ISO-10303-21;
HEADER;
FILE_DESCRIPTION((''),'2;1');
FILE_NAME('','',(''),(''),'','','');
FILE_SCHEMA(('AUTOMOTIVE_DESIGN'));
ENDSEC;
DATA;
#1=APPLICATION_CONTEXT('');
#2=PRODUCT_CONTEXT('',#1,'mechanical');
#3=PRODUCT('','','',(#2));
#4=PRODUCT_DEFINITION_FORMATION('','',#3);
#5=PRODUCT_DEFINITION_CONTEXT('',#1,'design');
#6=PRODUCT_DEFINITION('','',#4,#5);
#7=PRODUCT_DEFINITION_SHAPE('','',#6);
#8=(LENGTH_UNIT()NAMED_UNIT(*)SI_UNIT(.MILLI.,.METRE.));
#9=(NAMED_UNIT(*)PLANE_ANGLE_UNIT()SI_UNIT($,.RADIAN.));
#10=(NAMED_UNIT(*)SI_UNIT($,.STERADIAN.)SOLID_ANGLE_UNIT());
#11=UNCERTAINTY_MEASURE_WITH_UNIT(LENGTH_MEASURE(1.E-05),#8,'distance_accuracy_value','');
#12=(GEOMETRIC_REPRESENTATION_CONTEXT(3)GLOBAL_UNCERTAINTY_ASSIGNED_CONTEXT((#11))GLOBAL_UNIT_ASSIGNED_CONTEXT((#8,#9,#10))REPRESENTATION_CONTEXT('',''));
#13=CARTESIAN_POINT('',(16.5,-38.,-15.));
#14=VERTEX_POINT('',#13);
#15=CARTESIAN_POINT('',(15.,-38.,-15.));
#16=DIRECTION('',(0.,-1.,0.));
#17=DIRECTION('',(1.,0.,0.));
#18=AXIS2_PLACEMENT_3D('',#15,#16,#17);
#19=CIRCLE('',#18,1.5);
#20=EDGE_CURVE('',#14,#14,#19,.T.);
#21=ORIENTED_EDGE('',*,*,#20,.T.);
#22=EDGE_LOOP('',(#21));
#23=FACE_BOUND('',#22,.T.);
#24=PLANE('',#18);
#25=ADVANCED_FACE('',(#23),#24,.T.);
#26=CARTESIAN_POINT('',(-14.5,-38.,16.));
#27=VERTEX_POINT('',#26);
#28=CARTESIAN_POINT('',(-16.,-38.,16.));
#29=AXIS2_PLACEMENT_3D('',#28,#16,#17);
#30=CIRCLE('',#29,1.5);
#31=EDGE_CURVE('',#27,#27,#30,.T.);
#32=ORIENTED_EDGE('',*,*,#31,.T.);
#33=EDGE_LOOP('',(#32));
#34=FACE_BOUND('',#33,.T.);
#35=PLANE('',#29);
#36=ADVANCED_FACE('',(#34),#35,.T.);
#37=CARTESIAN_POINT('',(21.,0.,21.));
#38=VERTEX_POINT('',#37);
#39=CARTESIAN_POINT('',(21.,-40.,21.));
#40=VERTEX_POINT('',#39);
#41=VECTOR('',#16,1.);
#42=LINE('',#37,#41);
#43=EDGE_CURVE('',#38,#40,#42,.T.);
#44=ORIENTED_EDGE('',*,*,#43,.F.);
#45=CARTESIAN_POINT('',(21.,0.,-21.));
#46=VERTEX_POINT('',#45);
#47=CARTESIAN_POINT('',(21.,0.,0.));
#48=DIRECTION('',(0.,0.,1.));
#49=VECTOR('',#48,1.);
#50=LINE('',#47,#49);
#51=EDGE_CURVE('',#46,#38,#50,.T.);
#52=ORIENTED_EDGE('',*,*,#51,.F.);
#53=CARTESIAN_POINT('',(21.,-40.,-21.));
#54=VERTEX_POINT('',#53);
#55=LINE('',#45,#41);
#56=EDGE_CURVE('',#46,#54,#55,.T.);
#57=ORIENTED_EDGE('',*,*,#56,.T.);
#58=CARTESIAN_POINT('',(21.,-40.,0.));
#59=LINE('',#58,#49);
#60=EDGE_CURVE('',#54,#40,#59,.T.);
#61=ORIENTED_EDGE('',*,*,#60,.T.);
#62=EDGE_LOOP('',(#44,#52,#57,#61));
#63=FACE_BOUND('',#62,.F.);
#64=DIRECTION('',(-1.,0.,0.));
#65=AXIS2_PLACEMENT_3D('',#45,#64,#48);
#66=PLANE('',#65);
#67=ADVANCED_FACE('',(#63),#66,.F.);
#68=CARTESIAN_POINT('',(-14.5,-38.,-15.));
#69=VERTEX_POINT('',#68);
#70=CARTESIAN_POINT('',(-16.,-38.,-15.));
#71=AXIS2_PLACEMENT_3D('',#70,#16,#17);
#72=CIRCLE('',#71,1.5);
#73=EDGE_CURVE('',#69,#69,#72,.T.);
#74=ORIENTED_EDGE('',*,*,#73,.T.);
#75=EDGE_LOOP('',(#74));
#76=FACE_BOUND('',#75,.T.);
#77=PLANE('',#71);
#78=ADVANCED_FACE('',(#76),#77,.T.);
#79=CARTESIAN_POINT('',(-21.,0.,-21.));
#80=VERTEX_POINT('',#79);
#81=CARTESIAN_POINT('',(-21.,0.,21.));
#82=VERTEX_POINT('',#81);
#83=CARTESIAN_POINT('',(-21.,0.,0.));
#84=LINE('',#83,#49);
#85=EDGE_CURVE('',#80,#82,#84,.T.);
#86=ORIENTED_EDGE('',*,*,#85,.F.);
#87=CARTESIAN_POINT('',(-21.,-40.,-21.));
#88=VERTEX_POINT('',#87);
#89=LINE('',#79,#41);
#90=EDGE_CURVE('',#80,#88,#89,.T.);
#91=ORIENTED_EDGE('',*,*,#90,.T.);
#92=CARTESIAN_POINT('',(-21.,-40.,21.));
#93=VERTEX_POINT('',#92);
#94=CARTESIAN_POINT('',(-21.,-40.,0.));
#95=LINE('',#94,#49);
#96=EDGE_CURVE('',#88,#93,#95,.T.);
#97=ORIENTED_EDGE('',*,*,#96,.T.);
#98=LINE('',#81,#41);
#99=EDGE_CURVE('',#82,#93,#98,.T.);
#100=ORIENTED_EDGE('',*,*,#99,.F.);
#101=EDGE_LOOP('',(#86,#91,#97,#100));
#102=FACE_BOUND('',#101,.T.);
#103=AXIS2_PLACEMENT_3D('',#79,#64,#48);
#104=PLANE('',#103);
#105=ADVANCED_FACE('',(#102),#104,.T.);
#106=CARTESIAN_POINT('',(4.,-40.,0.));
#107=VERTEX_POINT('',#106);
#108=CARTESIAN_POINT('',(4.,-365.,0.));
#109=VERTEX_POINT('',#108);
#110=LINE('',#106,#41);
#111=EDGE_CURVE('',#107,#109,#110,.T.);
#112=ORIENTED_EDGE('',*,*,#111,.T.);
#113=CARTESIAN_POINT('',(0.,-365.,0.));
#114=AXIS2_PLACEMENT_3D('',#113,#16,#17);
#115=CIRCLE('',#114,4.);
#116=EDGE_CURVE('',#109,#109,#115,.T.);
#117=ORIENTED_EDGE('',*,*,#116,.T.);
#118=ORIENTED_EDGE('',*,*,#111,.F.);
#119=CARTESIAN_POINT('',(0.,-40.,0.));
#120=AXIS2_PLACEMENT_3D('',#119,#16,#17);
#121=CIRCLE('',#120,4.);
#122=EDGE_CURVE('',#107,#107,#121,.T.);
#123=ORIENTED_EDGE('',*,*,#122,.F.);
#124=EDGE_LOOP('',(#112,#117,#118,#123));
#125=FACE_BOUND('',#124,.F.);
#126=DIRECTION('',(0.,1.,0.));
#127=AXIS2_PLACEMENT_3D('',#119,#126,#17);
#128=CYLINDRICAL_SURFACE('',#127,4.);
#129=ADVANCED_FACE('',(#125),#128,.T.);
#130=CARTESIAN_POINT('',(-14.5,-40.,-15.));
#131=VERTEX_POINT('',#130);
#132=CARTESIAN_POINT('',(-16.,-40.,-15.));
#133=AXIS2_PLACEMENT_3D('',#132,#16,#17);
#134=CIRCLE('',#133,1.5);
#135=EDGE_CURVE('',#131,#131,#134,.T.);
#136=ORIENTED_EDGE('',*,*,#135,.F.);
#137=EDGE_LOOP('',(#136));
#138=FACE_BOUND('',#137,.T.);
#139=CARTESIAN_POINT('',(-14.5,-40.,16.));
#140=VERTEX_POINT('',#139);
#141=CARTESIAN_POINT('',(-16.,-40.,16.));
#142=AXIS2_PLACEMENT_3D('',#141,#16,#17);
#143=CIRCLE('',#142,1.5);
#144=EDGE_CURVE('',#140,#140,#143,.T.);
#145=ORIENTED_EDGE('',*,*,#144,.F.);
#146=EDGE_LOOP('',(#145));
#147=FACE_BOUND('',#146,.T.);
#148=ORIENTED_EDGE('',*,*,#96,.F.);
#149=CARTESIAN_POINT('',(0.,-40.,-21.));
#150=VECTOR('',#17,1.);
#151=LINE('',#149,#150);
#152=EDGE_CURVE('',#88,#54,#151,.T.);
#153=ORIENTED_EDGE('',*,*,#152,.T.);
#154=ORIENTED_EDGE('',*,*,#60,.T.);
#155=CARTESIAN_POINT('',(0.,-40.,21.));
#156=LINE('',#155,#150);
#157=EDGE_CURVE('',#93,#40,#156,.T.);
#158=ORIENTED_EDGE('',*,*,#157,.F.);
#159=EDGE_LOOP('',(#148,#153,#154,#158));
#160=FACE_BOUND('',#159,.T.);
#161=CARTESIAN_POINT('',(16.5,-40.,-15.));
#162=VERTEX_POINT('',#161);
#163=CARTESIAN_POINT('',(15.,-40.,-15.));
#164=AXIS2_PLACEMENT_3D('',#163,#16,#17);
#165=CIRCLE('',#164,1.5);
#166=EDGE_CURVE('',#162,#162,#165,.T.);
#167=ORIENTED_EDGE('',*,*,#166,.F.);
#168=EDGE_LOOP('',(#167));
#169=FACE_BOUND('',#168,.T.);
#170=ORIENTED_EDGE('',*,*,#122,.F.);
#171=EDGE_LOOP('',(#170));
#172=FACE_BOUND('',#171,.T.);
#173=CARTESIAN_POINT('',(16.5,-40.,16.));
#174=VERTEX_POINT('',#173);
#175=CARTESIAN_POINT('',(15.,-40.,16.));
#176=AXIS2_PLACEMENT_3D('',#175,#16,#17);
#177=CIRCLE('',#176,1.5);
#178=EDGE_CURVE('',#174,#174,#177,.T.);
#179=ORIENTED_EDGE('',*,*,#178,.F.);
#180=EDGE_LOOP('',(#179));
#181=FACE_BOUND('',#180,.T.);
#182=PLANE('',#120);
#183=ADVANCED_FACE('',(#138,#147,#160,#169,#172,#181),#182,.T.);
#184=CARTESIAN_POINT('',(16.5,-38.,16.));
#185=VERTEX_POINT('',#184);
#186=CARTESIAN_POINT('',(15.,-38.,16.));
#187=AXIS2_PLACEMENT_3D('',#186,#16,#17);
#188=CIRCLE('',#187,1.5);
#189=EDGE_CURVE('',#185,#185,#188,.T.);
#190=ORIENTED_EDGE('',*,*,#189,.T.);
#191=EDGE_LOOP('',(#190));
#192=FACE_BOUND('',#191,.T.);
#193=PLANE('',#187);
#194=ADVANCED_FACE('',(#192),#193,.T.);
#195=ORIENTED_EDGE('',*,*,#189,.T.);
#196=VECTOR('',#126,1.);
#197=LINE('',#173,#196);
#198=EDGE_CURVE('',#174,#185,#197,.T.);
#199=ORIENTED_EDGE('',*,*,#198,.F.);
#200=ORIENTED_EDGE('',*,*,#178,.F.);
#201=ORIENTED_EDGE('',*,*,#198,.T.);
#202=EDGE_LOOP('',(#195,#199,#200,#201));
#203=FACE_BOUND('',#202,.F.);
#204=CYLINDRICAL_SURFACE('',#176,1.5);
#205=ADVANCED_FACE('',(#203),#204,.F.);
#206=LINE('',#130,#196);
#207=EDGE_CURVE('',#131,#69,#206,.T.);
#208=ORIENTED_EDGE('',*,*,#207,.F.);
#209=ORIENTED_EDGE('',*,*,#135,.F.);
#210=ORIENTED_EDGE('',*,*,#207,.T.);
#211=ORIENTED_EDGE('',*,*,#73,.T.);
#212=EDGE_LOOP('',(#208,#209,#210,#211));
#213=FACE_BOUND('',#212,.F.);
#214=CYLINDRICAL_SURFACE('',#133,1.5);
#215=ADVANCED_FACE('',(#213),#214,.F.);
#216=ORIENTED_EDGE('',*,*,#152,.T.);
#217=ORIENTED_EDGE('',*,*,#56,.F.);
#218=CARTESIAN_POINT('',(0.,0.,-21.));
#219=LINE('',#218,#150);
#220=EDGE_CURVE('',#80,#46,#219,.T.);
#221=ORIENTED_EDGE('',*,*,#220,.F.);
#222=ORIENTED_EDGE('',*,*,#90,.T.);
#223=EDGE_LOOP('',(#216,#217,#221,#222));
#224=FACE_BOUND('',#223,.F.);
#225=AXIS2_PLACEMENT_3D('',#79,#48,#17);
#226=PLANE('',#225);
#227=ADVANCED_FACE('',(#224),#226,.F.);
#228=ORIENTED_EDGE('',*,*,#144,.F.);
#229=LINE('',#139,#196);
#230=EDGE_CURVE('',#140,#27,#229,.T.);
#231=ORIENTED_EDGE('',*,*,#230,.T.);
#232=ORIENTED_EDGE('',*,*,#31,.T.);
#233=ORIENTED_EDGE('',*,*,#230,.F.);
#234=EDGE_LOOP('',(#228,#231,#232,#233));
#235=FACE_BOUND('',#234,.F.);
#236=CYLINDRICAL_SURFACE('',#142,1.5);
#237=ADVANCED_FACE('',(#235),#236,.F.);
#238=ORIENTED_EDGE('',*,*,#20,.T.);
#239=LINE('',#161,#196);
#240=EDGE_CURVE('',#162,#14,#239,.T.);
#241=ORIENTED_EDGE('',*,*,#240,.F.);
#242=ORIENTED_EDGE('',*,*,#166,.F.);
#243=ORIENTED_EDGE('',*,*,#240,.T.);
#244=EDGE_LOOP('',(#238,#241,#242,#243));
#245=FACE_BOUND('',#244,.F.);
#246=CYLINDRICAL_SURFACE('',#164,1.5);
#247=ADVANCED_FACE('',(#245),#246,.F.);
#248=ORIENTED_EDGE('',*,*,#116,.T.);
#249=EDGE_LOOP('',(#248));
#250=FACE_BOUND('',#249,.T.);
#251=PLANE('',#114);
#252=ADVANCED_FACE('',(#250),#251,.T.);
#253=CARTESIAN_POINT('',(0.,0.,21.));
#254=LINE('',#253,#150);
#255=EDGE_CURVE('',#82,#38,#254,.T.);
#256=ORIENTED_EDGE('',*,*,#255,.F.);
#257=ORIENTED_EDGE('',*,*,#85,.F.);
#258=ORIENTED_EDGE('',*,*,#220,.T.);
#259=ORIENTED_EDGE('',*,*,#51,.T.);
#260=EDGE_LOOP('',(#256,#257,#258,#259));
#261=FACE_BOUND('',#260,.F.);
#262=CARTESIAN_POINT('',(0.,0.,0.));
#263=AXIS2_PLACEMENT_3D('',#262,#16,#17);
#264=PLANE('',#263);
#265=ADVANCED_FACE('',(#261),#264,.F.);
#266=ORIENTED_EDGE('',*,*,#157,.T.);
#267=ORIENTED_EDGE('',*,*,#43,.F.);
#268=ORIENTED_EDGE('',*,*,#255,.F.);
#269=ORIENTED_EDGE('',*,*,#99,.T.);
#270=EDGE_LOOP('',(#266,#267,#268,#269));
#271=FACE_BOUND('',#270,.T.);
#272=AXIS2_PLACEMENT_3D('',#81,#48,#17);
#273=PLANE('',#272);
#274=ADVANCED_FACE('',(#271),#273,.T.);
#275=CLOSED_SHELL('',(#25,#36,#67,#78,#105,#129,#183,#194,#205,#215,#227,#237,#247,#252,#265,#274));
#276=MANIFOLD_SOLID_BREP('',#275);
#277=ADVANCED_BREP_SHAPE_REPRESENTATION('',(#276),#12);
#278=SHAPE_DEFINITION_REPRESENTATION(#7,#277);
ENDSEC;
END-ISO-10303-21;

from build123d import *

# Parameters (mm, degrees)
F0_W     = 42
F0_H     = 42
F1_DEPTH = 40
F2_R     = 4
F3_DEPTH = 325
F4_R     = 1.5
F5_DEPTH = 2


with BuildPart() as f1:
    # F0 (on Front) → F1 (new body)
    with BuildSketch(Plane.XZ):
        Rectangle(F0_W, F0_H)
    extrude(amount=F1_DEPTH)

    # F2 (on face) → F3 (join)
    with BuildSketch(Plane.XZ.offset(40)):
        Circle(F2_R)
    extrude(amount=F3_DEPTH)

    # F4 (on face) → F5 (cut)
    with BuildSketch(Plane.XZ.offset(40)):
        with Locations((-16, -15)):
            Circle(F4_R)
        with BuildLine():
            ThreePointArc((-17.5, 16), (-16, 14.5), (-14.5, 16))
            ThreePointArc((-14.5, 16), (-16, 17.5), (-17.5, 16))
        make_face()
        with Locations((15, -15)):
            Circle(F4_R)
        with Locations((15, 16)):
            Circle(F4_R)
    extrude(amount=-F5_DEPTH, mode=Mode.SUBTRACT)


solid = f1.part
